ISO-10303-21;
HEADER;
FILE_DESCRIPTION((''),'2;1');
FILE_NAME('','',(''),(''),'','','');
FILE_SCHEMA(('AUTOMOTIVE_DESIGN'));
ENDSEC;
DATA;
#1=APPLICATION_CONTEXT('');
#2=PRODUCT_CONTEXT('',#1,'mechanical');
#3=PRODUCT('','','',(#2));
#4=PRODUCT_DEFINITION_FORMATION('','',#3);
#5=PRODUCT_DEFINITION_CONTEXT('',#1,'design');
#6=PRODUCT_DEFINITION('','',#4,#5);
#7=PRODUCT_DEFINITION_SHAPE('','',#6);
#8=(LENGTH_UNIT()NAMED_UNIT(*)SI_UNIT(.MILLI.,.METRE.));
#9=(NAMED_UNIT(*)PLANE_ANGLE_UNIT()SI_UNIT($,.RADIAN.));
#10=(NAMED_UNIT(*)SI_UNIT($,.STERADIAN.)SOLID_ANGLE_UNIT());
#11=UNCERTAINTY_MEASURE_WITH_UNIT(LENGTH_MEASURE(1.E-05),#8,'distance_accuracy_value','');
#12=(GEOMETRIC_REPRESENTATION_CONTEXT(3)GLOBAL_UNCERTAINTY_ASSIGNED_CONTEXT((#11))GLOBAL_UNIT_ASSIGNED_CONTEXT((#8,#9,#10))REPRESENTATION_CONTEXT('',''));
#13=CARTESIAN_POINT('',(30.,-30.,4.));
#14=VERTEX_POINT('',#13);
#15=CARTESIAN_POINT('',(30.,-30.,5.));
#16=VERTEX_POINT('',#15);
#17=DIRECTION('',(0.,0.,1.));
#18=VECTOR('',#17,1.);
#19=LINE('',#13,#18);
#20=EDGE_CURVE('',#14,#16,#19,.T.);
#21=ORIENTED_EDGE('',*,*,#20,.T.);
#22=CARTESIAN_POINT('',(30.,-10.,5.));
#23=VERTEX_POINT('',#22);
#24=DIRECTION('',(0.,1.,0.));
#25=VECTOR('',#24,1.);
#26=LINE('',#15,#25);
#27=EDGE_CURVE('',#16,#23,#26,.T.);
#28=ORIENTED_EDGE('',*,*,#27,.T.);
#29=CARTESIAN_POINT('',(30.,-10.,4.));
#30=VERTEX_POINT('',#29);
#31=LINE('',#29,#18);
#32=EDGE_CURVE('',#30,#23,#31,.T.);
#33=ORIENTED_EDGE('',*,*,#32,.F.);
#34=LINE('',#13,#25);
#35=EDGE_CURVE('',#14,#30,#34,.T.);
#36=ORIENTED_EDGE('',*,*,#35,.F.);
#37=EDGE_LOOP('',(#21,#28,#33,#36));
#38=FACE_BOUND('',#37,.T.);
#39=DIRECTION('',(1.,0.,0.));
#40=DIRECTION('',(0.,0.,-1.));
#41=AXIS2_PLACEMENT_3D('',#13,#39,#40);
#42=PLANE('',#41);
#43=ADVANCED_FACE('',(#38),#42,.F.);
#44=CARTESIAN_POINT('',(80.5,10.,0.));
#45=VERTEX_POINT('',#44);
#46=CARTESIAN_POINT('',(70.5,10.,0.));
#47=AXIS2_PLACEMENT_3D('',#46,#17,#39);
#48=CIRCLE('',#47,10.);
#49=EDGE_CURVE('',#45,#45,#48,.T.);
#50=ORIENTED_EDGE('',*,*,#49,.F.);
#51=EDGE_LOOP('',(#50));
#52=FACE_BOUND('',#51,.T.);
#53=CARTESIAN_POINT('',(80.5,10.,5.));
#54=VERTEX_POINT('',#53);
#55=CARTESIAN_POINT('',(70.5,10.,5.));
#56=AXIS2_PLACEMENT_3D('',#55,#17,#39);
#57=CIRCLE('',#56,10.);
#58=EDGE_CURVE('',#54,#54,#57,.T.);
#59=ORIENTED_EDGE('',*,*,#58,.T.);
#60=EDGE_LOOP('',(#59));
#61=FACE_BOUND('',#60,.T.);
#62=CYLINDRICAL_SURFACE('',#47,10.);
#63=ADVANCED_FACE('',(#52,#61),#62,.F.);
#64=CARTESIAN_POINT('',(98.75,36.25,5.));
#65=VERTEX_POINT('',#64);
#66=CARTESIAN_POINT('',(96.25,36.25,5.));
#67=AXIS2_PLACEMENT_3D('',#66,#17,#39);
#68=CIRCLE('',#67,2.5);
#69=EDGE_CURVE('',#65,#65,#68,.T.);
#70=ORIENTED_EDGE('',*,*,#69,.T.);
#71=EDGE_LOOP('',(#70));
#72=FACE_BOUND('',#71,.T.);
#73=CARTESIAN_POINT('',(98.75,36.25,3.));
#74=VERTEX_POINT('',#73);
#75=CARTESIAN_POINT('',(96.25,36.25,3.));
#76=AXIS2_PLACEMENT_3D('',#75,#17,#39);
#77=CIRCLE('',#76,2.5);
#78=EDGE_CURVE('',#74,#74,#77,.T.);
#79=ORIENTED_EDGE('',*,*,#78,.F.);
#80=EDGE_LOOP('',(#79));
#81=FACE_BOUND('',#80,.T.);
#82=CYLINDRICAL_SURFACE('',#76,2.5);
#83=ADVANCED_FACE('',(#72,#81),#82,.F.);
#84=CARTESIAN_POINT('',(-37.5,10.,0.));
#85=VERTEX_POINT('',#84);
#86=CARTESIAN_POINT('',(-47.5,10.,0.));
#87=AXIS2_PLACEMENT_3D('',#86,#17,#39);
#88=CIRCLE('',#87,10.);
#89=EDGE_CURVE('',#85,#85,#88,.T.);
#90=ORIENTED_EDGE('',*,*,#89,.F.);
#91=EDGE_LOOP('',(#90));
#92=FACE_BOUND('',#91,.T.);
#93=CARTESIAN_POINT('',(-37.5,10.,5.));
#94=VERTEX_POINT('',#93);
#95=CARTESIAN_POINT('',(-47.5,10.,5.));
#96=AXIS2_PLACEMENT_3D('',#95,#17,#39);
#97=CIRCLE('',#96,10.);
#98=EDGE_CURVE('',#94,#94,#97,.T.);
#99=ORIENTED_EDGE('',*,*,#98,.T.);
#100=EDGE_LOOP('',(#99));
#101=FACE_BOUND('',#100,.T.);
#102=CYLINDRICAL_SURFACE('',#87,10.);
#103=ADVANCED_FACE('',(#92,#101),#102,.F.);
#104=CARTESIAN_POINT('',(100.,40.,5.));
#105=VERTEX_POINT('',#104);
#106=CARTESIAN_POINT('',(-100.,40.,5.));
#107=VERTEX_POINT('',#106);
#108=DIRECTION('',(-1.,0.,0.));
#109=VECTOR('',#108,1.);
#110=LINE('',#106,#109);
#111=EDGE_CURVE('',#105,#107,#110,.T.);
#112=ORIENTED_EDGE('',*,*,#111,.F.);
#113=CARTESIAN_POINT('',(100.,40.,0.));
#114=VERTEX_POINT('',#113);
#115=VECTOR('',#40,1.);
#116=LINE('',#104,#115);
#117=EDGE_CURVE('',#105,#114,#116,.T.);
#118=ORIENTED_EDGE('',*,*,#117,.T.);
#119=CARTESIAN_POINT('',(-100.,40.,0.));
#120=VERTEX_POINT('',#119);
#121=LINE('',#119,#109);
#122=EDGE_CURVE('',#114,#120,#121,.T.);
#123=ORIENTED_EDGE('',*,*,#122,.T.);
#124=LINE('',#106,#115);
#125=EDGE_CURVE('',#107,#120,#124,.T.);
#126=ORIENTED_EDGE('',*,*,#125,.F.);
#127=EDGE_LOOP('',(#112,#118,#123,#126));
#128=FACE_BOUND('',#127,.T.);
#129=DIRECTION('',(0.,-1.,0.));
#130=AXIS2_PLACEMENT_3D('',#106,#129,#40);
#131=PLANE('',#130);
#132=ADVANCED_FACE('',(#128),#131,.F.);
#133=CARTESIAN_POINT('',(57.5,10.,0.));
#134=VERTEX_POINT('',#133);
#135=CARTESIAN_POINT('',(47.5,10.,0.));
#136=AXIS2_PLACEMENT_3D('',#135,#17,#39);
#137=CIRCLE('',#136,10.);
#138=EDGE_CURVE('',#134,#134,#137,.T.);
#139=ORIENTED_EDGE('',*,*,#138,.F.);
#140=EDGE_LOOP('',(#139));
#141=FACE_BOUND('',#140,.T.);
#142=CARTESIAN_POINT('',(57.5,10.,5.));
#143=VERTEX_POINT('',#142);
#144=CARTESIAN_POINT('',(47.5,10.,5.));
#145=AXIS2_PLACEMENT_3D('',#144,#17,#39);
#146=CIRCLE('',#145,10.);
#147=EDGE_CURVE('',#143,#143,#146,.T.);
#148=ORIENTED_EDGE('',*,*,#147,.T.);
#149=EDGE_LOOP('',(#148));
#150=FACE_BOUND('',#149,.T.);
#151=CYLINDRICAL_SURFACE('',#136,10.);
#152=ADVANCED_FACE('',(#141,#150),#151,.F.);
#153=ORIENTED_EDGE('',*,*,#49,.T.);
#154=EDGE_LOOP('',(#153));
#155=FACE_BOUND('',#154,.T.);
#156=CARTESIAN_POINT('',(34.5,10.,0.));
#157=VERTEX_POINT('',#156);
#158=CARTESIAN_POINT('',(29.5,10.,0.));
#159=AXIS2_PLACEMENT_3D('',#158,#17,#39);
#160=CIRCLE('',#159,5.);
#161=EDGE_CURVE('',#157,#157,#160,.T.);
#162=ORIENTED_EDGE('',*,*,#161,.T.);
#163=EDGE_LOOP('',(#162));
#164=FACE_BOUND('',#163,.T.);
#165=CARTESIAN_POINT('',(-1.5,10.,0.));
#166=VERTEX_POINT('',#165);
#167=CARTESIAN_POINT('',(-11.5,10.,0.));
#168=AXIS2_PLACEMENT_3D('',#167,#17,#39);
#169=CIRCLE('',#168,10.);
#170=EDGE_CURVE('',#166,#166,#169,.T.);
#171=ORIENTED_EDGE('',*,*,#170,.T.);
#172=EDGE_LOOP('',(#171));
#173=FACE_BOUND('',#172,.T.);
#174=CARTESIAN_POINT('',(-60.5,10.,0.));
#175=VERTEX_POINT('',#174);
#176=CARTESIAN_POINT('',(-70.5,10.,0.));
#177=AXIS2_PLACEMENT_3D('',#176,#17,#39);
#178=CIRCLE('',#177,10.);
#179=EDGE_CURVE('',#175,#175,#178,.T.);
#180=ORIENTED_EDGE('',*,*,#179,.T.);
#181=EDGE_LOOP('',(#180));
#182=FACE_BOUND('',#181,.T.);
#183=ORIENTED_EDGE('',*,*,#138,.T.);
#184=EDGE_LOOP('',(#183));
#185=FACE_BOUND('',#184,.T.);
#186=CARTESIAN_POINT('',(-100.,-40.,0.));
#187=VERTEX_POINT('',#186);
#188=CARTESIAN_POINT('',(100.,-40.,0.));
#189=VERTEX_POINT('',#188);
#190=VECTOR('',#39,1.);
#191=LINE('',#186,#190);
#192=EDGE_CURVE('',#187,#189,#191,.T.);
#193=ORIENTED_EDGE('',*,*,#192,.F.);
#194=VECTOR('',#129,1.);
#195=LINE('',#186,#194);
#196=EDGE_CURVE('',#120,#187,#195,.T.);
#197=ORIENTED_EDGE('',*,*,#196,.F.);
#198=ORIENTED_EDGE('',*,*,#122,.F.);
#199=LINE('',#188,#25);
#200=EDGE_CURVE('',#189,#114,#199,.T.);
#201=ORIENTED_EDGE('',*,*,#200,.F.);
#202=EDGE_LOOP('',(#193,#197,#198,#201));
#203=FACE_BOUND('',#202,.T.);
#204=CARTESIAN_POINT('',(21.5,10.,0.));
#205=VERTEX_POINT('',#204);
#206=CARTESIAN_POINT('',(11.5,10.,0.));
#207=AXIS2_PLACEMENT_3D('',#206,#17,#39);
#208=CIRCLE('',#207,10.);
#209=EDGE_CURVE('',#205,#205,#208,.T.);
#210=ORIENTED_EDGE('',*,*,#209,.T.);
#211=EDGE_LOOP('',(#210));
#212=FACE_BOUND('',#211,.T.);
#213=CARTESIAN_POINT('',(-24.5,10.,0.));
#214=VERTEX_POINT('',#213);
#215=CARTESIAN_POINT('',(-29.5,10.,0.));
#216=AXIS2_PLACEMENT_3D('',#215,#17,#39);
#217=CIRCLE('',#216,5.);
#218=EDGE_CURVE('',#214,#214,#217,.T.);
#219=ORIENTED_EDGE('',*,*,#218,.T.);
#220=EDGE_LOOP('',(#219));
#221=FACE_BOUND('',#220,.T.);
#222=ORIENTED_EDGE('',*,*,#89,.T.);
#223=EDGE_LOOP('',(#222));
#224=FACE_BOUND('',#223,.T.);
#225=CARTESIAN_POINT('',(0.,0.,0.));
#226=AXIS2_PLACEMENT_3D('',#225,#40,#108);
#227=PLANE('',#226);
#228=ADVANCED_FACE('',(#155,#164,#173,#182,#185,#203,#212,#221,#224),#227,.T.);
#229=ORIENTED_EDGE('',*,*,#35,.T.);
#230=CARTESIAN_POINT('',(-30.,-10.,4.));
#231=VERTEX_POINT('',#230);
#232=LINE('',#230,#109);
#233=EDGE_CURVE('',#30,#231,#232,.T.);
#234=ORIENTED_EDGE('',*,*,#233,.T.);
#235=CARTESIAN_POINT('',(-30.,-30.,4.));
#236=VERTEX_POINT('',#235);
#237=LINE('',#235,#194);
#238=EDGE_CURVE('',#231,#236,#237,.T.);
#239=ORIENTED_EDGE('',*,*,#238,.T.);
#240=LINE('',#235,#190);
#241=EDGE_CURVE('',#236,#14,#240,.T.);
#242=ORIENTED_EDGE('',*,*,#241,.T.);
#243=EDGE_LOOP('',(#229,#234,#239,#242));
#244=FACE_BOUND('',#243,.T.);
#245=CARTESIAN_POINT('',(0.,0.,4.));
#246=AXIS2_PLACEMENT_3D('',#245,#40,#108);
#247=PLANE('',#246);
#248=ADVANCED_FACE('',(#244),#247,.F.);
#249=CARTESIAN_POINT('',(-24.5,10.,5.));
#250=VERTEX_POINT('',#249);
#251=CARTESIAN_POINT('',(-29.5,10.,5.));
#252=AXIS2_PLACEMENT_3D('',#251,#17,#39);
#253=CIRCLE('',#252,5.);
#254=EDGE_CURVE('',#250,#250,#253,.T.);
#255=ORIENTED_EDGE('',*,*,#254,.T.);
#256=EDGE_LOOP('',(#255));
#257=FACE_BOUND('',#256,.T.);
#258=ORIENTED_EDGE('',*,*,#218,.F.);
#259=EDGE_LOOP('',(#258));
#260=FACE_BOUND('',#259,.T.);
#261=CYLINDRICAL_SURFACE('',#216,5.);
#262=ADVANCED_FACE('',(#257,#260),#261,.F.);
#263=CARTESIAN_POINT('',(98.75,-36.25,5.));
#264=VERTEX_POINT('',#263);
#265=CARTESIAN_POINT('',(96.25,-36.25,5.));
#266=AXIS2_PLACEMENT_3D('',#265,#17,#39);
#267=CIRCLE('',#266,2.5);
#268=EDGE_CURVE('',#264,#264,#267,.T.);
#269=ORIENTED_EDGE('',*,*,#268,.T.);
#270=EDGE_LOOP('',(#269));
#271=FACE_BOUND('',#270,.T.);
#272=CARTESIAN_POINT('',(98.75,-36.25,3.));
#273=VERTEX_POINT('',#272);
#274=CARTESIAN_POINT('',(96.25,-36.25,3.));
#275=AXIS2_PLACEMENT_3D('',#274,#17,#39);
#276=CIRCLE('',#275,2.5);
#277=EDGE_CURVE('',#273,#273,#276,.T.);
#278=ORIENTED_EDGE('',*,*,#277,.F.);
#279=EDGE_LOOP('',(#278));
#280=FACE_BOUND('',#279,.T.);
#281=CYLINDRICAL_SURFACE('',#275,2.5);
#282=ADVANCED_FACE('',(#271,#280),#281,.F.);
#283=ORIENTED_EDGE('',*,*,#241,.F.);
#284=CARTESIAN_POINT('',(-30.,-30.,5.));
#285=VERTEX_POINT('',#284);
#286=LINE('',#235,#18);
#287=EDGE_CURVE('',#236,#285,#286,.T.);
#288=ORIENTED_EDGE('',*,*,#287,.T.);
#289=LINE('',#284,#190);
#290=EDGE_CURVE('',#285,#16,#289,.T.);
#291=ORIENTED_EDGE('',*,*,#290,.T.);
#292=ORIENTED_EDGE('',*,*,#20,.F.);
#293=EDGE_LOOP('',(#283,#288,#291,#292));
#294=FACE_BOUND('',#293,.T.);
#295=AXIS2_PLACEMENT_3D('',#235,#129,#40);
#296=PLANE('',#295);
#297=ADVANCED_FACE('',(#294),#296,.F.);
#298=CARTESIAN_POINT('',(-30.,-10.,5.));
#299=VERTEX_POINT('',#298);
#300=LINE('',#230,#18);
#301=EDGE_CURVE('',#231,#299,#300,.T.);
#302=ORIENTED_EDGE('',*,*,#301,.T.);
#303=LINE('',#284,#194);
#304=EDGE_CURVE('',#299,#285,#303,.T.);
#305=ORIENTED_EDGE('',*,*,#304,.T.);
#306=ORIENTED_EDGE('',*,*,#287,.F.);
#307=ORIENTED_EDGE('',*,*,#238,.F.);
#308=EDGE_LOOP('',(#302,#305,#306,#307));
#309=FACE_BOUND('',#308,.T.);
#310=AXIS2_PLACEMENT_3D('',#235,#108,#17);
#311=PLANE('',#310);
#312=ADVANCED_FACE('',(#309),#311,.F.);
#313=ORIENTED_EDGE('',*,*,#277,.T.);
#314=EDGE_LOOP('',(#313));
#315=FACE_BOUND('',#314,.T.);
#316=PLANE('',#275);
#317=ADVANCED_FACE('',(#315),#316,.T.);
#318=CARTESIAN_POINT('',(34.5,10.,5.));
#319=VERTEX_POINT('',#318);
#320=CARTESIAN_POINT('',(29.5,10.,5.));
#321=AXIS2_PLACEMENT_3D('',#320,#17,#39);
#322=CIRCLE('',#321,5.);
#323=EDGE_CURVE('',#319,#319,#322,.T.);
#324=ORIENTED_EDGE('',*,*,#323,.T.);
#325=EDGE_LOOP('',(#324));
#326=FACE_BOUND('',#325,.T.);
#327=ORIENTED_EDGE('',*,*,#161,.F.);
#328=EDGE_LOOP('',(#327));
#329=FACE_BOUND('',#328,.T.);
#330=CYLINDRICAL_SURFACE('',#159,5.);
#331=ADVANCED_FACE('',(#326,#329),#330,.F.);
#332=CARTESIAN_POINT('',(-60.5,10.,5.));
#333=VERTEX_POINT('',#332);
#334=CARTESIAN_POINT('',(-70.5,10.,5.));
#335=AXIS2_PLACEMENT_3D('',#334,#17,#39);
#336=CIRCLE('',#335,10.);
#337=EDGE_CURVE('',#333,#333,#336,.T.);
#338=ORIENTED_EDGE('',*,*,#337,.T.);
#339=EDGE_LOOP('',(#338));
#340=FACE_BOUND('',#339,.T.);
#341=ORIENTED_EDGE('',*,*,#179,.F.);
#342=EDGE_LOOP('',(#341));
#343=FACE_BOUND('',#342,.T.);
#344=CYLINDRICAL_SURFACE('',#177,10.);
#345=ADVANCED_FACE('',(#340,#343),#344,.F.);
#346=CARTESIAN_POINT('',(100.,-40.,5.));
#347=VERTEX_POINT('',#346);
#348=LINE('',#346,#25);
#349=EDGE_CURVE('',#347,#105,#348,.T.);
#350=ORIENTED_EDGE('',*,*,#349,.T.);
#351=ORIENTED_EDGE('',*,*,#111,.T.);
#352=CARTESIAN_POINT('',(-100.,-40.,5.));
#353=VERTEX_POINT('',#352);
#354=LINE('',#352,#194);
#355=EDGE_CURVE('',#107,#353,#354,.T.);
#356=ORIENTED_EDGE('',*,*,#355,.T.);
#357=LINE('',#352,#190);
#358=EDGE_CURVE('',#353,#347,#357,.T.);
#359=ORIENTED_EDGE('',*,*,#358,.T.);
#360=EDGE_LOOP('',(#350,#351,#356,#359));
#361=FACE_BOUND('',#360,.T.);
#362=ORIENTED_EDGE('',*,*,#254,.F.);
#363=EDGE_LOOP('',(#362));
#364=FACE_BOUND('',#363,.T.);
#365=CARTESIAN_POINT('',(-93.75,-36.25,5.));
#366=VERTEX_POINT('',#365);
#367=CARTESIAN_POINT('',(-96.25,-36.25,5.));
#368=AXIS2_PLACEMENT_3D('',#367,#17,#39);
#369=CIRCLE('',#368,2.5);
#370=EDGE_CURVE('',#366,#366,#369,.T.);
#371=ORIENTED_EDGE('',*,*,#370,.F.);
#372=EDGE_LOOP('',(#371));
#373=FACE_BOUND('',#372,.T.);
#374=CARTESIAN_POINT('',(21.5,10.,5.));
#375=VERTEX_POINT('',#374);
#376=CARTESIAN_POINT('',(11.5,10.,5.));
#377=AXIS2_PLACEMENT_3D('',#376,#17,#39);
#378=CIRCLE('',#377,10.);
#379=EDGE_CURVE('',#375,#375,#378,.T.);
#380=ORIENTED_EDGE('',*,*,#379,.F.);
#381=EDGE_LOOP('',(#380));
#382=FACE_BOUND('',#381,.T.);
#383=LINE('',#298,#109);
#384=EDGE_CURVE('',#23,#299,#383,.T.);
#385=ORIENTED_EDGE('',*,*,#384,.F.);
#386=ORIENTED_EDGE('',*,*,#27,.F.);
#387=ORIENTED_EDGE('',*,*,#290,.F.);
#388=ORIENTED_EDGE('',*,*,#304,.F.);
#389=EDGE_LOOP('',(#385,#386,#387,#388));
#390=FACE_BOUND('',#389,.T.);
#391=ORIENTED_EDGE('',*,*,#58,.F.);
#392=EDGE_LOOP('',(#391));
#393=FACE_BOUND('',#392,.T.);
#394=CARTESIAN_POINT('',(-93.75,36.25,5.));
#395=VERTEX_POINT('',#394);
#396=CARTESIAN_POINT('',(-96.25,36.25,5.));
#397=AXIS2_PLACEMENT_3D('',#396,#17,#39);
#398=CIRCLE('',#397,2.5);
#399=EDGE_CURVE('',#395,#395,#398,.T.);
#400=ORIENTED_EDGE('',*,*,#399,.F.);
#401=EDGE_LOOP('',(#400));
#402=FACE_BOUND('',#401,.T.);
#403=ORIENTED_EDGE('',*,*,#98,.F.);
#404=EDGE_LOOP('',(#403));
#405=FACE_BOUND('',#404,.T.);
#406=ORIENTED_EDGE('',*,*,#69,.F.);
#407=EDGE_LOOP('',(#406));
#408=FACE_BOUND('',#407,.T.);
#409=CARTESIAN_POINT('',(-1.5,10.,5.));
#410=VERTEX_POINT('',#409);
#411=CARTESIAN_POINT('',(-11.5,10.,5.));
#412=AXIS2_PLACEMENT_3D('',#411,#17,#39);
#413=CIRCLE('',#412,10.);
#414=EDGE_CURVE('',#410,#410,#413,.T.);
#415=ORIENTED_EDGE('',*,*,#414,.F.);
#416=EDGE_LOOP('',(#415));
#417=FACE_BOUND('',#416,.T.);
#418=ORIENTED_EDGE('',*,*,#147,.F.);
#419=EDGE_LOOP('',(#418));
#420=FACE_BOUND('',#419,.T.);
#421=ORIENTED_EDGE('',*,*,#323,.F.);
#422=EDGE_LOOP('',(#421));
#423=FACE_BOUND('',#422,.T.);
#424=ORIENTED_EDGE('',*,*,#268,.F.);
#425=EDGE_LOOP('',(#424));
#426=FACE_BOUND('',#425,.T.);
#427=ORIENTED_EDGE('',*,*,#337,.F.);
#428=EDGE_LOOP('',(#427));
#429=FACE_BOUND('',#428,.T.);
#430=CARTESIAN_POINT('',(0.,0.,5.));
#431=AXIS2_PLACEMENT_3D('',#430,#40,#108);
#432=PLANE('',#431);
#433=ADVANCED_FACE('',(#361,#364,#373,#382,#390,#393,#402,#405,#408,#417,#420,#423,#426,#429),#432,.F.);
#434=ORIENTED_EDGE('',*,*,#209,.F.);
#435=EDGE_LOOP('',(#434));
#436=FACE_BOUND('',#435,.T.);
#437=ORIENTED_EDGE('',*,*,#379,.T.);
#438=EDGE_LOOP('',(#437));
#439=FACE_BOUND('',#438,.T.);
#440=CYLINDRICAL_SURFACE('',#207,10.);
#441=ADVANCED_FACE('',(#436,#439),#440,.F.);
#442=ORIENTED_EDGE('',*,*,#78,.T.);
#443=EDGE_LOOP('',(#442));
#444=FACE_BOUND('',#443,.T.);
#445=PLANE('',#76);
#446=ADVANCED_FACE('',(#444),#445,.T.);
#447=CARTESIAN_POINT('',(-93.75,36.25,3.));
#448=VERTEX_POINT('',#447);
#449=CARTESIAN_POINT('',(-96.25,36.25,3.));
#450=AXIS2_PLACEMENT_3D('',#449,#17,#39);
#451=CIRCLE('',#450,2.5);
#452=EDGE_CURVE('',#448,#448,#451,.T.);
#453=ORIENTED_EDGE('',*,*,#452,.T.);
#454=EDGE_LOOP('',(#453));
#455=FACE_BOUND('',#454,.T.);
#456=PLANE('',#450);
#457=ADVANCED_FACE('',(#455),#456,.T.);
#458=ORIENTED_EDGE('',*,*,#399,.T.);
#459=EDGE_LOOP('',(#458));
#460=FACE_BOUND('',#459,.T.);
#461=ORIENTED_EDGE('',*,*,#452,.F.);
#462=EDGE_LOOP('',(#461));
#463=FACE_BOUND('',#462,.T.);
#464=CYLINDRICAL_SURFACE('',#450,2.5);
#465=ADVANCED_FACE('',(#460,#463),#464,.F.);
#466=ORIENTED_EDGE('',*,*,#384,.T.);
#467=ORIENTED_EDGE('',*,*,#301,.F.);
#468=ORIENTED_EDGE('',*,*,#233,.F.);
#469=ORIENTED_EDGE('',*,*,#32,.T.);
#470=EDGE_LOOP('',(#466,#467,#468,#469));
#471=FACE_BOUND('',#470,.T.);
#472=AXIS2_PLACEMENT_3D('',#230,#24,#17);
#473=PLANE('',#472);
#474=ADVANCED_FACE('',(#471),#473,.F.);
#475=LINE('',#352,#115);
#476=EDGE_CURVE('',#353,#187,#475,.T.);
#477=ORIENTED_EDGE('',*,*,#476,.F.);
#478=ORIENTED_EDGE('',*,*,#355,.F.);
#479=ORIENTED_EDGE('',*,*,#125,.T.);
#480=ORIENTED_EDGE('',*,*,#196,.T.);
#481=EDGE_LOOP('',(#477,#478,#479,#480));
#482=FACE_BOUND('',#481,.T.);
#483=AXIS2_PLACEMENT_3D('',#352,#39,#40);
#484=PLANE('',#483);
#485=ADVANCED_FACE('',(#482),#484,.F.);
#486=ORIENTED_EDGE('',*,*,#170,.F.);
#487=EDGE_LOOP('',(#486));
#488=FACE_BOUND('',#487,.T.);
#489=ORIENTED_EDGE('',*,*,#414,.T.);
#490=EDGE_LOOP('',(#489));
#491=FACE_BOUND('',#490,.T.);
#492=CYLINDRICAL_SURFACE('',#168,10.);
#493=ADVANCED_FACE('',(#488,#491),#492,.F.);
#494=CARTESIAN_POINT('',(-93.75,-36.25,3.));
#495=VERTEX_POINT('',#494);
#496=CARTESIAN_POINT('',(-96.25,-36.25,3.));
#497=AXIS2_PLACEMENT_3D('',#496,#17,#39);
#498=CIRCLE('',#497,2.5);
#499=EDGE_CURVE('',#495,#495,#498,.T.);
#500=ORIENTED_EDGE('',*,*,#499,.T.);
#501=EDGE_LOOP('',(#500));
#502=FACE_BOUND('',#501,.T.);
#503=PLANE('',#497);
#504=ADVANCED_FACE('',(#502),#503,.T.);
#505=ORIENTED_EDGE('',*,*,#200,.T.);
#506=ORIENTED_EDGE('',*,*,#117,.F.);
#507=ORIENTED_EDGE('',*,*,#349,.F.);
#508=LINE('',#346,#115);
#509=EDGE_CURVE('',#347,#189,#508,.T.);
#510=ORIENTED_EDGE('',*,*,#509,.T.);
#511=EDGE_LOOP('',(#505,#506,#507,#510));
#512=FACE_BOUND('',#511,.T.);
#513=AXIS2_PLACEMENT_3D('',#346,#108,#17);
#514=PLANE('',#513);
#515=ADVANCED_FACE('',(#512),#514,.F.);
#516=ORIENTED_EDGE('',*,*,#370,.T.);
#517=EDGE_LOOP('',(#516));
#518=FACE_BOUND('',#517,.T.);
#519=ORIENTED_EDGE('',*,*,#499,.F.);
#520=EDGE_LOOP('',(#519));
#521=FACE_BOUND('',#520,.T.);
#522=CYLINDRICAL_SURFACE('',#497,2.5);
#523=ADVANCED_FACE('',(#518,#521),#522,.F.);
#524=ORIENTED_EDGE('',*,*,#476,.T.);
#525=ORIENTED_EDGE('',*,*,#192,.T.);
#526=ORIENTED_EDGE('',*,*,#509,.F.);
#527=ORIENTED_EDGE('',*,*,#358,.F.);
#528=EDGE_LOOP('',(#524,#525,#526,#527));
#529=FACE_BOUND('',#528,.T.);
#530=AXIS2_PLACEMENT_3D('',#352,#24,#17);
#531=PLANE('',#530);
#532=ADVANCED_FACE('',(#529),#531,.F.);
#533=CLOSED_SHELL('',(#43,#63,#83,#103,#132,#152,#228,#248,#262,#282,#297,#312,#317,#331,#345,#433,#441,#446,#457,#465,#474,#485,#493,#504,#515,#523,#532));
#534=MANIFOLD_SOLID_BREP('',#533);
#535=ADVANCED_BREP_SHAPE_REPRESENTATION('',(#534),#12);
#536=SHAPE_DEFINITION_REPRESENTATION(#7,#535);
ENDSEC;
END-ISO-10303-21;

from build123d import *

# Parameters (mm, degrees)
CROQUIS1_W              = 200
CROQUIS1_H              = 80
SALIENTE_EXTRUIR1_DEPTH = 5
CROQUIS2_R              = 2.5
CORTAR_EXTRUIR1_DEPTH   = 2
CROQUIS3_W              = 60
CROQUIS3_H              = 20
CORTAR_EXTRUIR2_DEPTH   = 1
CROQUIS4_R              = 10
CROQUIS4_R_2            = 5
CORTAR_EXTRUIR3_DEPTH   = 5


with BuildPart() as part:
    # Croquis1 → Saliente-Extruir1 (new body)
    with BuildSketch(Plane.XY):
        Rectangle(CROQUIS1_W, CROQUIS1_H)
    extrude(amount=SALIENTE_EXTRUIR1_DEPTH)

    # Croquis2 → Cortar-Extruir1 (cut)
    with BuildSketch(Plane.XY.offset(5)):
        with Locations((-96.25, 36.25)):
            Circle(CROQUIS2_R)
        with Locations((96.25, 36.25)):
            Circle(CROQUIS2_R)
        with Locations((96.25, -36.25)):
            Circle(CROQUIS2_R)
        with Locations((-96.25, -36.25)):
            Circle(CROQUIS2_R)
    extrude(amount=-CORTAR_EXTRUIR1_DEPTH, mode=Mode.SUBTRACT)

    # Croquis3 → Cortar-Extruir2 (cut)
    with BuildSketch(Plane.XY.offset(5)):
        with Locations((0, -20)):
            Rectangle(CROQUIS3_W, CROQUIS3_H)
    extrude(amount=-CORTAR_EXTRUIR2_DEPTH, mode=Mode.SUBTRACT)

    # Croquis4 → Cortar-Extruir3 (cut)
    with BuildSketch(Plane.XY.offset(5)):
        with Locations((-70.5, 10)):
            Circle(CROQUIS4_R)
        with Locations((-47.5, 10)):
            Circle(CROQUIS4_R)
        with Locations((-29.5, 10)):
            Circle(CROQUIS4_R_2)
        with Locations((-11.5, 10)):
            Circle(CROQUIS4_R)
        with Locations((11.5, 10)):
            Circle(CROQUIS4_R)
        with Locations((29.5, 10)):
            Circle(CROQUIS4_R_2)
        with Locations((47.5, 10)):
            Circle(CROQUIS4_R)
        with Locations((70.5, 10)):
            Circle(CROQUIS4_R)
    extrude(amount=-CORTAR_EXTRUIR3_DEPTH, mode=Mode.SUBTRACT)


solid = part.part
